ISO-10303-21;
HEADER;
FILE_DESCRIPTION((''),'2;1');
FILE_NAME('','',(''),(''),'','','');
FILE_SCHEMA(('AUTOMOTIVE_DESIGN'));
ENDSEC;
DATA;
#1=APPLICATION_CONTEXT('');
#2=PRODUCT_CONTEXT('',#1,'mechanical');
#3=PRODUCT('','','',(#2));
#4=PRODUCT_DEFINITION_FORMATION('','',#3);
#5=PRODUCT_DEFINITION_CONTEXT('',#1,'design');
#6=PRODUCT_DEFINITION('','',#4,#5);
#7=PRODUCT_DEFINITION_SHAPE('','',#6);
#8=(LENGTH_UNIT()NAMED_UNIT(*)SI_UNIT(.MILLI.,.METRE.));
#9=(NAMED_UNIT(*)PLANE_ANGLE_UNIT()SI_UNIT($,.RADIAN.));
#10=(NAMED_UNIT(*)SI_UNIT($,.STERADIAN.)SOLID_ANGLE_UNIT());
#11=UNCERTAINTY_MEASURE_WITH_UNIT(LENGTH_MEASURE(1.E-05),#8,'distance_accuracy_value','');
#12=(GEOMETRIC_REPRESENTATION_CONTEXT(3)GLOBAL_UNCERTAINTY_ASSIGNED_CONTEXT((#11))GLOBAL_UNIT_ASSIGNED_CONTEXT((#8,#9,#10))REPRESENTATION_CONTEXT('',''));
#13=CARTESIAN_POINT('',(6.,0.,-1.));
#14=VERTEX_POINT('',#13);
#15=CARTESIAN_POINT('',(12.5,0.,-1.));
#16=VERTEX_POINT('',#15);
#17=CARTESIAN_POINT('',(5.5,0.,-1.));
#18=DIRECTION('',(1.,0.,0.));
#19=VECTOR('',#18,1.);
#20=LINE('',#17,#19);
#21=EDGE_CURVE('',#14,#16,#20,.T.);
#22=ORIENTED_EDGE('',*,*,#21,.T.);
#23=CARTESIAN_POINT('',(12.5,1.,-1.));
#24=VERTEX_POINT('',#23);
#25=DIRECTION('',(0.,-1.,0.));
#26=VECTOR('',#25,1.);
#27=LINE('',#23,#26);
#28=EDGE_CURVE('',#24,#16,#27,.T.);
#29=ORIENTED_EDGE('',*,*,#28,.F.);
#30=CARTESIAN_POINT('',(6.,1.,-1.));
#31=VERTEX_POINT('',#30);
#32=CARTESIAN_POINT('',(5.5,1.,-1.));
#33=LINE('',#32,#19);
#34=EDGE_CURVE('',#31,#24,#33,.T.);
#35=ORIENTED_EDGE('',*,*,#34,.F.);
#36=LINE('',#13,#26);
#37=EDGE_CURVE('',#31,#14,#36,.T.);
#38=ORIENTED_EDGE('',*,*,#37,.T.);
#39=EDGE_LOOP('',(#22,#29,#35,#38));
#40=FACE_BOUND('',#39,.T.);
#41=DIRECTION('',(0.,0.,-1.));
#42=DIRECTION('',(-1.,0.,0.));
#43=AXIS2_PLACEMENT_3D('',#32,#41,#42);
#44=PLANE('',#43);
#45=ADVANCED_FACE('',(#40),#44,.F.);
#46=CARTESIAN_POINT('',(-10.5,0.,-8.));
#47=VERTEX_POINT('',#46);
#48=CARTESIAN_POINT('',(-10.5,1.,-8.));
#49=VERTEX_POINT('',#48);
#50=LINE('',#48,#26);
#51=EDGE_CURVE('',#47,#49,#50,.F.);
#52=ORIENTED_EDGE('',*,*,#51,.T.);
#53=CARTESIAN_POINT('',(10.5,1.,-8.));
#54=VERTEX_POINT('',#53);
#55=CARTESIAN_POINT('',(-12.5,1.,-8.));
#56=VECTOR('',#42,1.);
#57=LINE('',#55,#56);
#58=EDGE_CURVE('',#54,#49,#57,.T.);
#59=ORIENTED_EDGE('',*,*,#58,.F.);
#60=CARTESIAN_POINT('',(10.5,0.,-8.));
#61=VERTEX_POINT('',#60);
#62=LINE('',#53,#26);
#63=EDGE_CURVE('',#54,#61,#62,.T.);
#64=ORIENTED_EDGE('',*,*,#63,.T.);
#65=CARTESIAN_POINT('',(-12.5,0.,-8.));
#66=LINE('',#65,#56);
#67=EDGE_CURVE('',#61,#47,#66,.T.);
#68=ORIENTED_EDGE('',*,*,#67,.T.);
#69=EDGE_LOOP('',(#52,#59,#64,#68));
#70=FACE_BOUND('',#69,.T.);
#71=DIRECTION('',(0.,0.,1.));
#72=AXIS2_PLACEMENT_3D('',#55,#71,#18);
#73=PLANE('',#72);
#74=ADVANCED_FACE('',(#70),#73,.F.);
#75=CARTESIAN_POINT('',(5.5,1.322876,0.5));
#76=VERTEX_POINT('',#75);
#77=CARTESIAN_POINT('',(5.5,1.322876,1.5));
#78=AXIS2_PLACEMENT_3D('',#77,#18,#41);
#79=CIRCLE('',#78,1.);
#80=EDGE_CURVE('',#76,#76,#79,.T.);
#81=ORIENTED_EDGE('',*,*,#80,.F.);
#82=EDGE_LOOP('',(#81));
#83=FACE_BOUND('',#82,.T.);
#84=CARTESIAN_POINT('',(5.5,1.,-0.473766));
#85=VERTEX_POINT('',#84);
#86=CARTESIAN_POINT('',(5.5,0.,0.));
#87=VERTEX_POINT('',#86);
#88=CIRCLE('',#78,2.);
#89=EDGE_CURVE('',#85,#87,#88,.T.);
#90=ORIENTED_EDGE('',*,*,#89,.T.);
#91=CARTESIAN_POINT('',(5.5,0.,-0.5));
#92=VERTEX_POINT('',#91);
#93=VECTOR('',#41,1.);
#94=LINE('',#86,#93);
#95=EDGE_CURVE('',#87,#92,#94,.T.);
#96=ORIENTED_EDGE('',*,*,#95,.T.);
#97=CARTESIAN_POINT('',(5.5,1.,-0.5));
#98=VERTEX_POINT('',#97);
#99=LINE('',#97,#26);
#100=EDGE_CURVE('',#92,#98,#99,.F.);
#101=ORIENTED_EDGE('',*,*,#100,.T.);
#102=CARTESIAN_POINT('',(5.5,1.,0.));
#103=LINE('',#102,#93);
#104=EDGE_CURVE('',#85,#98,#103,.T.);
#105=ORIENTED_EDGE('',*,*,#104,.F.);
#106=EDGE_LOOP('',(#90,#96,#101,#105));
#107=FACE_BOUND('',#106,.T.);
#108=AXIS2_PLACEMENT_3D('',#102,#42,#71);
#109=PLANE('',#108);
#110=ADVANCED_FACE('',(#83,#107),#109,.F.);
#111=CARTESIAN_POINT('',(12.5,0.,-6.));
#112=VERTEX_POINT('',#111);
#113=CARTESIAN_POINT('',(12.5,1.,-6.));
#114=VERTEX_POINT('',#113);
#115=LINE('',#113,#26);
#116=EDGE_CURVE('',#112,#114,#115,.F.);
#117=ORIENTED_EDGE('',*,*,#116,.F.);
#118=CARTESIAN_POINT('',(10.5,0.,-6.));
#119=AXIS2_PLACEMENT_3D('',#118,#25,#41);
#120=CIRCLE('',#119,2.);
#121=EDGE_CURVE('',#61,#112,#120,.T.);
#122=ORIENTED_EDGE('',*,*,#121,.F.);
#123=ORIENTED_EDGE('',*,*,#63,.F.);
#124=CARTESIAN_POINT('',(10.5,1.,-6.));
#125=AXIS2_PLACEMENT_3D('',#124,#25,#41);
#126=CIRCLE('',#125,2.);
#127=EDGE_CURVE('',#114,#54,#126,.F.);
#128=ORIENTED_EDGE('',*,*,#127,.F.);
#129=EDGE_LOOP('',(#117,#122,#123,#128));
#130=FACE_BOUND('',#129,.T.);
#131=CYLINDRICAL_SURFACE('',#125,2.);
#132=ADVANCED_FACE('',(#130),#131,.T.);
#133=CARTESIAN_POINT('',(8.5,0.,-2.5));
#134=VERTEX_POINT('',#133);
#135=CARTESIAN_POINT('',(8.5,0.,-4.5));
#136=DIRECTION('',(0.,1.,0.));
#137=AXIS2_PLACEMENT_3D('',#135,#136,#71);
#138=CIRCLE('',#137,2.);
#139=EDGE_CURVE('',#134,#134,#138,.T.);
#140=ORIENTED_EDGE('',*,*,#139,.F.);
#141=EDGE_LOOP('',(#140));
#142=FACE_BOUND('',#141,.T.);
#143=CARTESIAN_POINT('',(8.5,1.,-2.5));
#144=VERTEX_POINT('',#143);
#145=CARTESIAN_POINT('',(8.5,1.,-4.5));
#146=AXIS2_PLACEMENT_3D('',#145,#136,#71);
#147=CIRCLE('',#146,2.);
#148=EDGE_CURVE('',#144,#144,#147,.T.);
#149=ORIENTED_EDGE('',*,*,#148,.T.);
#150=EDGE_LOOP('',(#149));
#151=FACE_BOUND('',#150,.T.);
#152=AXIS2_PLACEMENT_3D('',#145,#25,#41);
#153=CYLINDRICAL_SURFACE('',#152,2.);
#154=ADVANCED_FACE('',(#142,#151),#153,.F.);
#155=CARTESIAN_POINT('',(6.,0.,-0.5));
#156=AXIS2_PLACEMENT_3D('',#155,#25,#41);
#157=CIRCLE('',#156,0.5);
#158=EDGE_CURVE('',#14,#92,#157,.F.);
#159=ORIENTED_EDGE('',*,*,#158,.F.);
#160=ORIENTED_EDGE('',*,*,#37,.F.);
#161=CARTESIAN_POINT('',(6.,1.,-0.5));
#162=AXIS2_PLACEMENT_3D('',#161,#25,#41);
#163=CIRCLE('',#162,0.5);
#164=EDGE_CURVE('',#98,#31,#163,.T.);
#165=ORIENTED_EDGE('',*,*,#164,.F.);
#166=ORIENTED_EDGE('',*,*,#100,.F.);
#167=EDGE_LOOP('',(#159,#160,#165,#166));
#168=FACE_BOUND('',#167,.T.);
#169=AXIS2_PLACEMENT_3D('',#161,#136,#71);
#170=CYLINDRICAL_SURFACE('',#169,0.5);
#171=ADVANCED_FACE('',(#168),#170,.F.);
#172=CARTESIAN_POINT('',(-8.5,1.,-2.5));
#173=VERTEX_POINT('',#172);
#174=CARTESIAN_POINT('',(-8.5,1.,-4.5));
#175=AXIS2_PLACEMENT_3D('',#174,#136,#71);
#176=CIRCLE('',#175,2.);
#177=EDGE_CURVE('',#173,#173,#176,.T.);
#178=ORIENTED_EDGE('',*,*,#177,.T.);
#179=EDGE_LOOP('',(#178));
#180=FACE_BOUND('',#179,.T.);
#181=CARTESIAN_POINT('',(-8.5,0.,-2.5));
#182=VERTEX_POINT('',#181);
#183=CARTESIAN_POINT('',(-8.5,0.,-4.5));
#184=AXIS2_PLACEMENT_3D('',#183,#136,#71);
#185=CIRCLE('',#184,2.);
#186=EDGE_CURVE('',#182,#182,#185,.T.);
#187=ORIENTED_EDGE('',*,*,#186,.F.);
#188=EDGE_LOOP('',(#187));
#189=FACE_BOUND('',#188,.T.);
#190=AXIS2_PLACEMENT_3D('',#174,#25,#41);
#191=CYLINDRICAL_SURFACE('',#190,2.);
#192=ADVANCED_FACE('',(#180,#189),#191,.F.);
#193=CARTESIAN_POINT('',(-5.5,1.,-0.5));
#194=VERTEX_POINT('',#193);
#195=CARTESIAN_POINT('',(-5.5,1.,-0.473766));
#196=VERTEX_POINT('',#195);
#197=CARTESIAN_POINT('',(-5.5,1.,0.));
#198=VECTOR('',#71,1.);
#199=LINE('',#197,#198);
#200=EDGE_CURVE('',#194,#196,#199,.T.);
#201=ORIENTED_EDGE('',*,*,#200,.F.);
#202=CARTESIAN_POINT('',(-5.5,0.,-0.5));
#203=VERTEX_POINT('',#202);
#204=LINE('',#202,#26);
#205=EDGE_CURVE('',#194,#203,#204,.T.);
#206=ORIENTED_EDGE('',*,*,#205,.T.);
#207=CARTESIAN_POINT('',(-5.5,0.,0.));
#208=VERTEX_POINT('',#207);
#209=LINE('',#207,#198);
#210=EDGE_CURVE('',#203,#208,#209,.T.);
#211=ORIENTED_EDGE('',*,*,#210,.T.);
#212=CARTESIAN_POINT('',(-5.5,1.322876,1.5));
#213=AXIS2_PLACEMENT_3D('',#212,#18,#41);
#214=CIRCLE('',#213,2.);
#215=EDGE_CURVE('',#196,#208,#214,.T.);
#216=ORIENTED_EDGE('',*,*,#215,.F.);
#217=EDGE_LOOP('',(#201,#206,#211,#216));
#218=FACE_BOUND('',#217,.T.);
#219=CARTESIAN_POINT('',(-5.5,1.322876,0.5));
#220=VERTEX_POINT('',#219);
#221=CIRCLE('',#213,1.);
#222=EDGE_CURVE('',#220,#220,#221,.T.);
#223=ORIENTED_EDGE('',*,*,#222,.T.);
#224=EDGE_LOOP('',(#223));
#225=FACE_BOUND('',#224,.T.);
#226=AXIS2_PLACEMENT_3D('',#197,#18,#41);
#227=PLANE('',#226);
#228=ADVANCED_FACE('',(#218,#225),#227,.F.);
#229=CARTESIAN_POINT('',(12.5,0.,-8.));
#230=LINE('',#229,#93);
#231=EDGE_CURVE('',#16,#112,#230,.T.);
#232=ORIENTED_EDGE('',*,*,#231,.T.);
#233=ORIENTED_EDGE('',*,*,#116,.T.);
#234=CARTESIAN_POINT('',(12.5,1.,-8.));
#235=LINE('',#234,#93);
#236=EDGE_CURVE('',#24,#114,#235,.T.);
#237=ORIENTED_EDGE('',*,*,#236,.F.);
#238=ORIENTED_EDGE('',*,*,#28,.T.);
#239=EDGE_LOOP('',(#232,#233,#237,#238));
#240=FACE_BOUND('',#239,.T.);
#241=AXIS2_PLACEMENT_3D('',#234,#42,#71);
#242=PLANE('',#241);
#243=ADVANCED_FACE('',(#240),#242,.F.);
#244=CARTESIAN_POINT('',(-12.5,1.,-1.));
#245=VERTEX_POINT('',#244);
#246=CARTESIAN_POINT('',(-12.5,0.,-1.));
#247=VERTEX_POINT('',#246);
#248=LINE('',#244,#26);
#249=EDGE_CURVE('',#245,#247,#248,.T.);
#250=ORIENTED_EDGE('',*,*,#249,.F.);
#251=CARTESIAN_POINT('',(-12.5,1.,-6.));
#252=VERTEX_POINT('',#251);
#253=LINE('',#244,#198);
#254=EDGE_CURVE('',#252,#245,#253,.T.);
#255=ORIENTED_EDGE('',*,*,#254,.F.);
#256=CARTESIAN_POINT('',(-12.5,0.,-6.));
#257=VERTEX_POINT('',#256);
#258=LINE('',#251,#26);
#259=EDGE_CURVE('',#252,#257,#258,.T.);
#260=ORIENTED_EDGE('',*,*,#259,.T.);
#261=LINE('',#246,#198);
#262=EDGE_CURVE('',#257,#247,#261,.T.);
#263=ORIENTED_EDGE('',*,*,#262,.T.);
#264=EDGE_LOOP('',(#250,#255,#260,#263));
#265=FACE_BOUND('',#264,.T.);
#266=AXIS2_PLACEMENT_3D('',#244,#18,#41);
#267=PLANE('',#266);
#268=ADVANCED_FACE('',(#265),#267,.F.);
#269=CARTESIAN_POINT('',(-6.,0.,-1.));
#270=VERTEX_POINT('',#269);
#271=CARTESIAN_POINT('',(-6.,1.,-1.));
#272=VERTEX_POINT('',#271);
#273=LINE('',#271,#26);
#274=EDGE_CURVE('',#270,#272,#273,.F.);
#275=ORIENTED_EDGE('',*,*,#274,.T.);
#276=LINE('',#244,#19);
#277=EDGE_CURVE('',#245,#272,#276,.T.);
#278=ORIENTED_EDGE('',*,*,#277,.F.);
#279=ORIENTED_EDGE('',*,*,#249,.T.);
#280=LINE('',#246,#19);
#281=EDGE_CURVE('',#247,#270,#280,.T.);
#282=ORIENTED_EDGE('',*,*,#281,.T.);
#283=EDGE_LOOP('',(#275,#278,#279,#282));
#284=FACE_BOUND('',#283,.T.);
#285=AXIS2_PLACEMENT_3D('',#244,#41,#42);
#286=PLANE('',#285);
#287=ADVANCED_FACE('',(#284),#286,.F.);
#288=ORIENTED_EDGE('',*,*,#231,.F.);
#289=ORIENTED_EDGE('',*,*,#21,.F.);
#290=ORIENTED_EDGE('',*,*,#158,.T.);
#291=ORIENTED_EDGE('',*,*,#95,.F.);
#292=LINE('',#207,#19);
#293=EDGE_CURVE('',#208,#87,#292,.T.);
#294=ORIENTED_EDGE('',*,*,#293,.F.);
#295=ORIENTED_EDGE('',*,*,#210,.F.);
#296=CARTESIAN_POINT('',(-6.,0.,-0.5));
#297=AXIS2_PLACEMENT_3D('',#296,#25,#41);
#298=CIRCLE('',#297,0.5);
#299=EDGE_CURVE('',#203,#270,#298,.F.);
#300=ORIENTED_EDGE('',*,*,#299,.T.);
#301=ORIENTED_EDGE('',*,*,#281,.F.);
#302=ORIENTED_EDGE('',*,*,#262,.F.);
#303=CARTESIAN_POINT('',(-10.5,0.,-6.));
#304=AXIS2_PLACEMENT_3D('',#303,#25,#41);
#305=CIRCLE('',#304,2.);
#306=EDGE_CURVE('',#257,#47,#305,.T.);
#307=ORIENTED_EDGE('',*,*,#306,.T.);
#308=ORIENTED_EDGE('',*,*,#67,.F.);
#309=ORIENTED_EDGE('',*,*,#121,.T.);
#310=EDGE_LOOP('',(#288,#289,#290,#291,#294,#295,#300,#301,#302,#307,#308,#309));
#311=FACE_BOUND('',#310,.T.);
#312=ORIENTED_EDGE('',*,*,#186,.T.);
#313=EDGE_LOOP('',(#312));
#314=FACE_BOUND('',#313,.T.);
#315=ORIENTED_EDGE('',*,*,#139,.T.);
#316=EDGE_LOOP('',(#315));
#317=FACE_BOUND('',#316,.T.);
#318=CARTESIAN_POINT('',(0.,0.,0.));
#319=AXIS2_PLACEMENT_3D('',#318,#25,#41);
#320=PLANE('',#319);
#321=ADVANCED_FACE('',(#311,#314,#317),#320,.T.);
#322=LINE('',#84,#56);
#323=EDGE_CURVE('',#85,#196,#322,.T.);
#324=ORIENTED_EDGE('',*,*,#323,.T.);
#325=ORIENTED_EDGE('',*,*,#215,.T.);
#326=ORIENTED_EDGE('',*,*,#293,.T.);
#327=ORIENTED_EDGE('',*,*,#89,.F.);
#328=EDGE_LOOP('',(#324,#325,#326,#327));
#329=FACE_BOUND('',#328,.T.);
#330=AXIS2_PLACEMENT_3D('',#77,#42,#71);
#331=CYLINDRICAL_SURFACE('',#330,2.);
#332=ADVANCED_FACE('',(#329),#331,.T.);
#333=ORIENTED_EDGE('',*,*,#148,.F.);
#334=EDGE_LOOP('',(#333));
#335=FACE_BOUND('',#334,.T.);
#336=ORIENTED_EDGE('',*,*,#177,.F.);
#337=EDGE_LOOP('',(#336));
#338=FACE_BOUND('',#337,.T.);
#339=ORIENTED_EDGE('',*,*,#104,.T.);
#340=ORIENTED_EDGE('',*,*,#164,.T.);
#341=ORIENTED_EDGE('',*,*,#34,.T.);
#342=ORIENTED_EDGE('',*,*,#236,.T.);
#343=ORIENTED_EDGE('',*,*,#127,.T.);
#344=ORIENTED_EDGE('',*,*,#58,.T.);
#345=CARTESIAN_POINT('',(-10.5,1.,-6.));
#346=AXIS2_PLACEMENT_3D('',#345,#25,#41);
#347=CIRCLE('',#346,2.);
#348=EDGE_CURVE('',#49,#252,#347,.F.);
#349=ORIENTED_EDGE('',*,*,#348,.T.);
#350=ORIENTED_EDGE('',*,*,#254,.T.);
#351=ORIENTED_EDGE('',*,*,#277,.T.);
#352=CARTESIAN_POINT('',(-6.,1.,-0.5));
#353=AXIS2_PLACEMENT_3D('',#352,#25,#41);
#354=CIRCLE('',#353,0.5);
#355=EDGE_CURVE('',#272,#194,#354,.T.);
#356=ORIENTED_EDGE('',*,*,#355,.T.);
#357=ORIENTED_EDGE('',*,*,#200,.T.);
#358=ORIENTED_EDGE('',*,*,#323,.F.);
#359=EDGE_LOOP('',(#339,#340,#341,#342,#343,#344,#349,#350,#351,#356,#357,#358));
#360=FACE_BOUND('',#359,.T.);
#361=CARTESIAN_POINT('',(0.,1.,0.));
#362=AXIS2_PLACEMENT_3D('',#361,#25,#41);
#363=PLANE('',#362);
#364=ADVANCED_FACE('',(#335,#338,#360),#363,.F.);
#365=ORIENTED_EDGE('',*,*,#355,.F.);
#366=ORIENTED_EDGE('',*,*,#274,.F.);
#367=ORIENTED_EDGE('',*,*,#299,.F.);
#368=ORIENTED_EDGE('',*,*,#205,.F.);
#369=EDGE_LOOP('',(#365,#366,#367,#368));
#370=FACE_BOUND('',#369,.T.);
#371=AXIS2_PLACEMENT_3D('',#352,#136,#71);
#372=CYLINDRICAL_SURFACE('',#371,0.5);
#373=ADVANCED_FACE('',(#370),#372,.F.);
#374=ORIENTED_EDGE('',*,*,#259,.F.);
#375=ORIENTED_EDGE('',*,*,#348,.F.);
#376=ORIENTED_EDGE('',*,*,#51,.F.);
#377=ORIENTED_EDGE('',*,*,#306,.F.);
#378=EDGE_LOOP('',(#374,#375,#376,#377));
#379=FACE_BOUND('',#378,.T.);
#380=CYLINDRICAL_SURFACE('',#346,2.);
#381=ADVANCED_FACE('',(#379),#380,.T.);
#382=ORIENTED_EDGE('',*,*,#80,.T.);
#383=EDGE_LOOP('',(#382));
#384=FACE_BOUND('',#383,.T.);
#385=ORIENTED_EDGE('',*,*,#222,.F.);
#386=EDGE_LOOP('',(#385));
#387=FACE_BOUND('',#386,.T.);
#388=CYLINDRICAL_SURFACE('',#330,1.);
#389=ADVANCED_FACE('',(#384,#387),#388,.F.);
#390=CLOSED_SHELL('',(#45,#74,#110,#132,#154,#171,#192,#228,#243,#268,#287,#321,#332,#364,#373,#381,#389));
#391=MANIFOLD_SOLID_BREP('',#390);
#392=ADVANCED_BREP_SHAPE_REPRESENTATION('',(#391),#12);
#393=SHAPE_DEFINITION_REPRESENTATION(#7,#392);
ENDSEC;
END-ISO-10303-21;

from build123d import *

# Parameters (mm, degrees)
SKETCH_1_R      = 2
EXTRUDE_1_DEPTH = 1
FILLET_1_R      = 2
FILLET_2_R      = 0.5
SKETCH_3_R      = 2
SKETCH_3_R_2    = 1
EXTRUDE_2_DEPTH = 5.5


with BuildPart() as part:
    # 草图1 → 凸台-拉伸1 (new body)
    with BuildSketch(Plane(origin=(0, 0, 0), x_dir=(1, 0, 0), z_dir=(0, 1, 0))):
        Polygon((-12.5, 1), (-5.5, 1), (-5.5, 0), (5.5, 0), (5.5, 1), (12.5, 1), (12.5, 8), (-12.5, 8), align=None)
        with Locations(Location((8.5, 4.5, 0), (0, 0, 270))):
            Circle(SKETCH_1_R, mode=Mode.SUBTRACT)
        with Locations(Location((-8.5, 4.5, 0), (0, 0, 270))):
            Circle(SKETCH_1_R, mode=Mode.SUBTRACT)
    extrude(amount=EXTRUDE_1_DEPTH)

    # 圆角1
    fillet_1_edges = [part.edges().sort_by_distance(p)[0] for p in [
        (-12.5, 0.5, -8),
        (12.5, 0.5, -8),
    ]]
    fillet(fillet_1_edges, radius=FILLET_1_R)

    # 圆角2
    fillet_2_edges = [part.edges().sort_by_distance(p)[0] for p in [
        (5.5, 0.5, -1),
        (-5.5, 0.5, -1),
    ]]
    fillet(fillet_2_edges, radius=FILLET_2_R)

    # 草图3 → 凸台-拉伸2 (add, symmetric)
    with BuildSketch(Plane(origin=(0, 0, 0), x_dir=(0, 0, -1), z_dir=(1, 0, 0))):
        with Locations((-1.5, 1.322875656)):
            Circle(SKETCH_3_R)
        with Locations((-1.5, 1.322875656)):
            Circle(SKETCH_3_R_2, mode=Mode.SUBTRACT)
    extrude(amount=EXTRUDE_2_DEPTH, both=True)


solid = part.part
